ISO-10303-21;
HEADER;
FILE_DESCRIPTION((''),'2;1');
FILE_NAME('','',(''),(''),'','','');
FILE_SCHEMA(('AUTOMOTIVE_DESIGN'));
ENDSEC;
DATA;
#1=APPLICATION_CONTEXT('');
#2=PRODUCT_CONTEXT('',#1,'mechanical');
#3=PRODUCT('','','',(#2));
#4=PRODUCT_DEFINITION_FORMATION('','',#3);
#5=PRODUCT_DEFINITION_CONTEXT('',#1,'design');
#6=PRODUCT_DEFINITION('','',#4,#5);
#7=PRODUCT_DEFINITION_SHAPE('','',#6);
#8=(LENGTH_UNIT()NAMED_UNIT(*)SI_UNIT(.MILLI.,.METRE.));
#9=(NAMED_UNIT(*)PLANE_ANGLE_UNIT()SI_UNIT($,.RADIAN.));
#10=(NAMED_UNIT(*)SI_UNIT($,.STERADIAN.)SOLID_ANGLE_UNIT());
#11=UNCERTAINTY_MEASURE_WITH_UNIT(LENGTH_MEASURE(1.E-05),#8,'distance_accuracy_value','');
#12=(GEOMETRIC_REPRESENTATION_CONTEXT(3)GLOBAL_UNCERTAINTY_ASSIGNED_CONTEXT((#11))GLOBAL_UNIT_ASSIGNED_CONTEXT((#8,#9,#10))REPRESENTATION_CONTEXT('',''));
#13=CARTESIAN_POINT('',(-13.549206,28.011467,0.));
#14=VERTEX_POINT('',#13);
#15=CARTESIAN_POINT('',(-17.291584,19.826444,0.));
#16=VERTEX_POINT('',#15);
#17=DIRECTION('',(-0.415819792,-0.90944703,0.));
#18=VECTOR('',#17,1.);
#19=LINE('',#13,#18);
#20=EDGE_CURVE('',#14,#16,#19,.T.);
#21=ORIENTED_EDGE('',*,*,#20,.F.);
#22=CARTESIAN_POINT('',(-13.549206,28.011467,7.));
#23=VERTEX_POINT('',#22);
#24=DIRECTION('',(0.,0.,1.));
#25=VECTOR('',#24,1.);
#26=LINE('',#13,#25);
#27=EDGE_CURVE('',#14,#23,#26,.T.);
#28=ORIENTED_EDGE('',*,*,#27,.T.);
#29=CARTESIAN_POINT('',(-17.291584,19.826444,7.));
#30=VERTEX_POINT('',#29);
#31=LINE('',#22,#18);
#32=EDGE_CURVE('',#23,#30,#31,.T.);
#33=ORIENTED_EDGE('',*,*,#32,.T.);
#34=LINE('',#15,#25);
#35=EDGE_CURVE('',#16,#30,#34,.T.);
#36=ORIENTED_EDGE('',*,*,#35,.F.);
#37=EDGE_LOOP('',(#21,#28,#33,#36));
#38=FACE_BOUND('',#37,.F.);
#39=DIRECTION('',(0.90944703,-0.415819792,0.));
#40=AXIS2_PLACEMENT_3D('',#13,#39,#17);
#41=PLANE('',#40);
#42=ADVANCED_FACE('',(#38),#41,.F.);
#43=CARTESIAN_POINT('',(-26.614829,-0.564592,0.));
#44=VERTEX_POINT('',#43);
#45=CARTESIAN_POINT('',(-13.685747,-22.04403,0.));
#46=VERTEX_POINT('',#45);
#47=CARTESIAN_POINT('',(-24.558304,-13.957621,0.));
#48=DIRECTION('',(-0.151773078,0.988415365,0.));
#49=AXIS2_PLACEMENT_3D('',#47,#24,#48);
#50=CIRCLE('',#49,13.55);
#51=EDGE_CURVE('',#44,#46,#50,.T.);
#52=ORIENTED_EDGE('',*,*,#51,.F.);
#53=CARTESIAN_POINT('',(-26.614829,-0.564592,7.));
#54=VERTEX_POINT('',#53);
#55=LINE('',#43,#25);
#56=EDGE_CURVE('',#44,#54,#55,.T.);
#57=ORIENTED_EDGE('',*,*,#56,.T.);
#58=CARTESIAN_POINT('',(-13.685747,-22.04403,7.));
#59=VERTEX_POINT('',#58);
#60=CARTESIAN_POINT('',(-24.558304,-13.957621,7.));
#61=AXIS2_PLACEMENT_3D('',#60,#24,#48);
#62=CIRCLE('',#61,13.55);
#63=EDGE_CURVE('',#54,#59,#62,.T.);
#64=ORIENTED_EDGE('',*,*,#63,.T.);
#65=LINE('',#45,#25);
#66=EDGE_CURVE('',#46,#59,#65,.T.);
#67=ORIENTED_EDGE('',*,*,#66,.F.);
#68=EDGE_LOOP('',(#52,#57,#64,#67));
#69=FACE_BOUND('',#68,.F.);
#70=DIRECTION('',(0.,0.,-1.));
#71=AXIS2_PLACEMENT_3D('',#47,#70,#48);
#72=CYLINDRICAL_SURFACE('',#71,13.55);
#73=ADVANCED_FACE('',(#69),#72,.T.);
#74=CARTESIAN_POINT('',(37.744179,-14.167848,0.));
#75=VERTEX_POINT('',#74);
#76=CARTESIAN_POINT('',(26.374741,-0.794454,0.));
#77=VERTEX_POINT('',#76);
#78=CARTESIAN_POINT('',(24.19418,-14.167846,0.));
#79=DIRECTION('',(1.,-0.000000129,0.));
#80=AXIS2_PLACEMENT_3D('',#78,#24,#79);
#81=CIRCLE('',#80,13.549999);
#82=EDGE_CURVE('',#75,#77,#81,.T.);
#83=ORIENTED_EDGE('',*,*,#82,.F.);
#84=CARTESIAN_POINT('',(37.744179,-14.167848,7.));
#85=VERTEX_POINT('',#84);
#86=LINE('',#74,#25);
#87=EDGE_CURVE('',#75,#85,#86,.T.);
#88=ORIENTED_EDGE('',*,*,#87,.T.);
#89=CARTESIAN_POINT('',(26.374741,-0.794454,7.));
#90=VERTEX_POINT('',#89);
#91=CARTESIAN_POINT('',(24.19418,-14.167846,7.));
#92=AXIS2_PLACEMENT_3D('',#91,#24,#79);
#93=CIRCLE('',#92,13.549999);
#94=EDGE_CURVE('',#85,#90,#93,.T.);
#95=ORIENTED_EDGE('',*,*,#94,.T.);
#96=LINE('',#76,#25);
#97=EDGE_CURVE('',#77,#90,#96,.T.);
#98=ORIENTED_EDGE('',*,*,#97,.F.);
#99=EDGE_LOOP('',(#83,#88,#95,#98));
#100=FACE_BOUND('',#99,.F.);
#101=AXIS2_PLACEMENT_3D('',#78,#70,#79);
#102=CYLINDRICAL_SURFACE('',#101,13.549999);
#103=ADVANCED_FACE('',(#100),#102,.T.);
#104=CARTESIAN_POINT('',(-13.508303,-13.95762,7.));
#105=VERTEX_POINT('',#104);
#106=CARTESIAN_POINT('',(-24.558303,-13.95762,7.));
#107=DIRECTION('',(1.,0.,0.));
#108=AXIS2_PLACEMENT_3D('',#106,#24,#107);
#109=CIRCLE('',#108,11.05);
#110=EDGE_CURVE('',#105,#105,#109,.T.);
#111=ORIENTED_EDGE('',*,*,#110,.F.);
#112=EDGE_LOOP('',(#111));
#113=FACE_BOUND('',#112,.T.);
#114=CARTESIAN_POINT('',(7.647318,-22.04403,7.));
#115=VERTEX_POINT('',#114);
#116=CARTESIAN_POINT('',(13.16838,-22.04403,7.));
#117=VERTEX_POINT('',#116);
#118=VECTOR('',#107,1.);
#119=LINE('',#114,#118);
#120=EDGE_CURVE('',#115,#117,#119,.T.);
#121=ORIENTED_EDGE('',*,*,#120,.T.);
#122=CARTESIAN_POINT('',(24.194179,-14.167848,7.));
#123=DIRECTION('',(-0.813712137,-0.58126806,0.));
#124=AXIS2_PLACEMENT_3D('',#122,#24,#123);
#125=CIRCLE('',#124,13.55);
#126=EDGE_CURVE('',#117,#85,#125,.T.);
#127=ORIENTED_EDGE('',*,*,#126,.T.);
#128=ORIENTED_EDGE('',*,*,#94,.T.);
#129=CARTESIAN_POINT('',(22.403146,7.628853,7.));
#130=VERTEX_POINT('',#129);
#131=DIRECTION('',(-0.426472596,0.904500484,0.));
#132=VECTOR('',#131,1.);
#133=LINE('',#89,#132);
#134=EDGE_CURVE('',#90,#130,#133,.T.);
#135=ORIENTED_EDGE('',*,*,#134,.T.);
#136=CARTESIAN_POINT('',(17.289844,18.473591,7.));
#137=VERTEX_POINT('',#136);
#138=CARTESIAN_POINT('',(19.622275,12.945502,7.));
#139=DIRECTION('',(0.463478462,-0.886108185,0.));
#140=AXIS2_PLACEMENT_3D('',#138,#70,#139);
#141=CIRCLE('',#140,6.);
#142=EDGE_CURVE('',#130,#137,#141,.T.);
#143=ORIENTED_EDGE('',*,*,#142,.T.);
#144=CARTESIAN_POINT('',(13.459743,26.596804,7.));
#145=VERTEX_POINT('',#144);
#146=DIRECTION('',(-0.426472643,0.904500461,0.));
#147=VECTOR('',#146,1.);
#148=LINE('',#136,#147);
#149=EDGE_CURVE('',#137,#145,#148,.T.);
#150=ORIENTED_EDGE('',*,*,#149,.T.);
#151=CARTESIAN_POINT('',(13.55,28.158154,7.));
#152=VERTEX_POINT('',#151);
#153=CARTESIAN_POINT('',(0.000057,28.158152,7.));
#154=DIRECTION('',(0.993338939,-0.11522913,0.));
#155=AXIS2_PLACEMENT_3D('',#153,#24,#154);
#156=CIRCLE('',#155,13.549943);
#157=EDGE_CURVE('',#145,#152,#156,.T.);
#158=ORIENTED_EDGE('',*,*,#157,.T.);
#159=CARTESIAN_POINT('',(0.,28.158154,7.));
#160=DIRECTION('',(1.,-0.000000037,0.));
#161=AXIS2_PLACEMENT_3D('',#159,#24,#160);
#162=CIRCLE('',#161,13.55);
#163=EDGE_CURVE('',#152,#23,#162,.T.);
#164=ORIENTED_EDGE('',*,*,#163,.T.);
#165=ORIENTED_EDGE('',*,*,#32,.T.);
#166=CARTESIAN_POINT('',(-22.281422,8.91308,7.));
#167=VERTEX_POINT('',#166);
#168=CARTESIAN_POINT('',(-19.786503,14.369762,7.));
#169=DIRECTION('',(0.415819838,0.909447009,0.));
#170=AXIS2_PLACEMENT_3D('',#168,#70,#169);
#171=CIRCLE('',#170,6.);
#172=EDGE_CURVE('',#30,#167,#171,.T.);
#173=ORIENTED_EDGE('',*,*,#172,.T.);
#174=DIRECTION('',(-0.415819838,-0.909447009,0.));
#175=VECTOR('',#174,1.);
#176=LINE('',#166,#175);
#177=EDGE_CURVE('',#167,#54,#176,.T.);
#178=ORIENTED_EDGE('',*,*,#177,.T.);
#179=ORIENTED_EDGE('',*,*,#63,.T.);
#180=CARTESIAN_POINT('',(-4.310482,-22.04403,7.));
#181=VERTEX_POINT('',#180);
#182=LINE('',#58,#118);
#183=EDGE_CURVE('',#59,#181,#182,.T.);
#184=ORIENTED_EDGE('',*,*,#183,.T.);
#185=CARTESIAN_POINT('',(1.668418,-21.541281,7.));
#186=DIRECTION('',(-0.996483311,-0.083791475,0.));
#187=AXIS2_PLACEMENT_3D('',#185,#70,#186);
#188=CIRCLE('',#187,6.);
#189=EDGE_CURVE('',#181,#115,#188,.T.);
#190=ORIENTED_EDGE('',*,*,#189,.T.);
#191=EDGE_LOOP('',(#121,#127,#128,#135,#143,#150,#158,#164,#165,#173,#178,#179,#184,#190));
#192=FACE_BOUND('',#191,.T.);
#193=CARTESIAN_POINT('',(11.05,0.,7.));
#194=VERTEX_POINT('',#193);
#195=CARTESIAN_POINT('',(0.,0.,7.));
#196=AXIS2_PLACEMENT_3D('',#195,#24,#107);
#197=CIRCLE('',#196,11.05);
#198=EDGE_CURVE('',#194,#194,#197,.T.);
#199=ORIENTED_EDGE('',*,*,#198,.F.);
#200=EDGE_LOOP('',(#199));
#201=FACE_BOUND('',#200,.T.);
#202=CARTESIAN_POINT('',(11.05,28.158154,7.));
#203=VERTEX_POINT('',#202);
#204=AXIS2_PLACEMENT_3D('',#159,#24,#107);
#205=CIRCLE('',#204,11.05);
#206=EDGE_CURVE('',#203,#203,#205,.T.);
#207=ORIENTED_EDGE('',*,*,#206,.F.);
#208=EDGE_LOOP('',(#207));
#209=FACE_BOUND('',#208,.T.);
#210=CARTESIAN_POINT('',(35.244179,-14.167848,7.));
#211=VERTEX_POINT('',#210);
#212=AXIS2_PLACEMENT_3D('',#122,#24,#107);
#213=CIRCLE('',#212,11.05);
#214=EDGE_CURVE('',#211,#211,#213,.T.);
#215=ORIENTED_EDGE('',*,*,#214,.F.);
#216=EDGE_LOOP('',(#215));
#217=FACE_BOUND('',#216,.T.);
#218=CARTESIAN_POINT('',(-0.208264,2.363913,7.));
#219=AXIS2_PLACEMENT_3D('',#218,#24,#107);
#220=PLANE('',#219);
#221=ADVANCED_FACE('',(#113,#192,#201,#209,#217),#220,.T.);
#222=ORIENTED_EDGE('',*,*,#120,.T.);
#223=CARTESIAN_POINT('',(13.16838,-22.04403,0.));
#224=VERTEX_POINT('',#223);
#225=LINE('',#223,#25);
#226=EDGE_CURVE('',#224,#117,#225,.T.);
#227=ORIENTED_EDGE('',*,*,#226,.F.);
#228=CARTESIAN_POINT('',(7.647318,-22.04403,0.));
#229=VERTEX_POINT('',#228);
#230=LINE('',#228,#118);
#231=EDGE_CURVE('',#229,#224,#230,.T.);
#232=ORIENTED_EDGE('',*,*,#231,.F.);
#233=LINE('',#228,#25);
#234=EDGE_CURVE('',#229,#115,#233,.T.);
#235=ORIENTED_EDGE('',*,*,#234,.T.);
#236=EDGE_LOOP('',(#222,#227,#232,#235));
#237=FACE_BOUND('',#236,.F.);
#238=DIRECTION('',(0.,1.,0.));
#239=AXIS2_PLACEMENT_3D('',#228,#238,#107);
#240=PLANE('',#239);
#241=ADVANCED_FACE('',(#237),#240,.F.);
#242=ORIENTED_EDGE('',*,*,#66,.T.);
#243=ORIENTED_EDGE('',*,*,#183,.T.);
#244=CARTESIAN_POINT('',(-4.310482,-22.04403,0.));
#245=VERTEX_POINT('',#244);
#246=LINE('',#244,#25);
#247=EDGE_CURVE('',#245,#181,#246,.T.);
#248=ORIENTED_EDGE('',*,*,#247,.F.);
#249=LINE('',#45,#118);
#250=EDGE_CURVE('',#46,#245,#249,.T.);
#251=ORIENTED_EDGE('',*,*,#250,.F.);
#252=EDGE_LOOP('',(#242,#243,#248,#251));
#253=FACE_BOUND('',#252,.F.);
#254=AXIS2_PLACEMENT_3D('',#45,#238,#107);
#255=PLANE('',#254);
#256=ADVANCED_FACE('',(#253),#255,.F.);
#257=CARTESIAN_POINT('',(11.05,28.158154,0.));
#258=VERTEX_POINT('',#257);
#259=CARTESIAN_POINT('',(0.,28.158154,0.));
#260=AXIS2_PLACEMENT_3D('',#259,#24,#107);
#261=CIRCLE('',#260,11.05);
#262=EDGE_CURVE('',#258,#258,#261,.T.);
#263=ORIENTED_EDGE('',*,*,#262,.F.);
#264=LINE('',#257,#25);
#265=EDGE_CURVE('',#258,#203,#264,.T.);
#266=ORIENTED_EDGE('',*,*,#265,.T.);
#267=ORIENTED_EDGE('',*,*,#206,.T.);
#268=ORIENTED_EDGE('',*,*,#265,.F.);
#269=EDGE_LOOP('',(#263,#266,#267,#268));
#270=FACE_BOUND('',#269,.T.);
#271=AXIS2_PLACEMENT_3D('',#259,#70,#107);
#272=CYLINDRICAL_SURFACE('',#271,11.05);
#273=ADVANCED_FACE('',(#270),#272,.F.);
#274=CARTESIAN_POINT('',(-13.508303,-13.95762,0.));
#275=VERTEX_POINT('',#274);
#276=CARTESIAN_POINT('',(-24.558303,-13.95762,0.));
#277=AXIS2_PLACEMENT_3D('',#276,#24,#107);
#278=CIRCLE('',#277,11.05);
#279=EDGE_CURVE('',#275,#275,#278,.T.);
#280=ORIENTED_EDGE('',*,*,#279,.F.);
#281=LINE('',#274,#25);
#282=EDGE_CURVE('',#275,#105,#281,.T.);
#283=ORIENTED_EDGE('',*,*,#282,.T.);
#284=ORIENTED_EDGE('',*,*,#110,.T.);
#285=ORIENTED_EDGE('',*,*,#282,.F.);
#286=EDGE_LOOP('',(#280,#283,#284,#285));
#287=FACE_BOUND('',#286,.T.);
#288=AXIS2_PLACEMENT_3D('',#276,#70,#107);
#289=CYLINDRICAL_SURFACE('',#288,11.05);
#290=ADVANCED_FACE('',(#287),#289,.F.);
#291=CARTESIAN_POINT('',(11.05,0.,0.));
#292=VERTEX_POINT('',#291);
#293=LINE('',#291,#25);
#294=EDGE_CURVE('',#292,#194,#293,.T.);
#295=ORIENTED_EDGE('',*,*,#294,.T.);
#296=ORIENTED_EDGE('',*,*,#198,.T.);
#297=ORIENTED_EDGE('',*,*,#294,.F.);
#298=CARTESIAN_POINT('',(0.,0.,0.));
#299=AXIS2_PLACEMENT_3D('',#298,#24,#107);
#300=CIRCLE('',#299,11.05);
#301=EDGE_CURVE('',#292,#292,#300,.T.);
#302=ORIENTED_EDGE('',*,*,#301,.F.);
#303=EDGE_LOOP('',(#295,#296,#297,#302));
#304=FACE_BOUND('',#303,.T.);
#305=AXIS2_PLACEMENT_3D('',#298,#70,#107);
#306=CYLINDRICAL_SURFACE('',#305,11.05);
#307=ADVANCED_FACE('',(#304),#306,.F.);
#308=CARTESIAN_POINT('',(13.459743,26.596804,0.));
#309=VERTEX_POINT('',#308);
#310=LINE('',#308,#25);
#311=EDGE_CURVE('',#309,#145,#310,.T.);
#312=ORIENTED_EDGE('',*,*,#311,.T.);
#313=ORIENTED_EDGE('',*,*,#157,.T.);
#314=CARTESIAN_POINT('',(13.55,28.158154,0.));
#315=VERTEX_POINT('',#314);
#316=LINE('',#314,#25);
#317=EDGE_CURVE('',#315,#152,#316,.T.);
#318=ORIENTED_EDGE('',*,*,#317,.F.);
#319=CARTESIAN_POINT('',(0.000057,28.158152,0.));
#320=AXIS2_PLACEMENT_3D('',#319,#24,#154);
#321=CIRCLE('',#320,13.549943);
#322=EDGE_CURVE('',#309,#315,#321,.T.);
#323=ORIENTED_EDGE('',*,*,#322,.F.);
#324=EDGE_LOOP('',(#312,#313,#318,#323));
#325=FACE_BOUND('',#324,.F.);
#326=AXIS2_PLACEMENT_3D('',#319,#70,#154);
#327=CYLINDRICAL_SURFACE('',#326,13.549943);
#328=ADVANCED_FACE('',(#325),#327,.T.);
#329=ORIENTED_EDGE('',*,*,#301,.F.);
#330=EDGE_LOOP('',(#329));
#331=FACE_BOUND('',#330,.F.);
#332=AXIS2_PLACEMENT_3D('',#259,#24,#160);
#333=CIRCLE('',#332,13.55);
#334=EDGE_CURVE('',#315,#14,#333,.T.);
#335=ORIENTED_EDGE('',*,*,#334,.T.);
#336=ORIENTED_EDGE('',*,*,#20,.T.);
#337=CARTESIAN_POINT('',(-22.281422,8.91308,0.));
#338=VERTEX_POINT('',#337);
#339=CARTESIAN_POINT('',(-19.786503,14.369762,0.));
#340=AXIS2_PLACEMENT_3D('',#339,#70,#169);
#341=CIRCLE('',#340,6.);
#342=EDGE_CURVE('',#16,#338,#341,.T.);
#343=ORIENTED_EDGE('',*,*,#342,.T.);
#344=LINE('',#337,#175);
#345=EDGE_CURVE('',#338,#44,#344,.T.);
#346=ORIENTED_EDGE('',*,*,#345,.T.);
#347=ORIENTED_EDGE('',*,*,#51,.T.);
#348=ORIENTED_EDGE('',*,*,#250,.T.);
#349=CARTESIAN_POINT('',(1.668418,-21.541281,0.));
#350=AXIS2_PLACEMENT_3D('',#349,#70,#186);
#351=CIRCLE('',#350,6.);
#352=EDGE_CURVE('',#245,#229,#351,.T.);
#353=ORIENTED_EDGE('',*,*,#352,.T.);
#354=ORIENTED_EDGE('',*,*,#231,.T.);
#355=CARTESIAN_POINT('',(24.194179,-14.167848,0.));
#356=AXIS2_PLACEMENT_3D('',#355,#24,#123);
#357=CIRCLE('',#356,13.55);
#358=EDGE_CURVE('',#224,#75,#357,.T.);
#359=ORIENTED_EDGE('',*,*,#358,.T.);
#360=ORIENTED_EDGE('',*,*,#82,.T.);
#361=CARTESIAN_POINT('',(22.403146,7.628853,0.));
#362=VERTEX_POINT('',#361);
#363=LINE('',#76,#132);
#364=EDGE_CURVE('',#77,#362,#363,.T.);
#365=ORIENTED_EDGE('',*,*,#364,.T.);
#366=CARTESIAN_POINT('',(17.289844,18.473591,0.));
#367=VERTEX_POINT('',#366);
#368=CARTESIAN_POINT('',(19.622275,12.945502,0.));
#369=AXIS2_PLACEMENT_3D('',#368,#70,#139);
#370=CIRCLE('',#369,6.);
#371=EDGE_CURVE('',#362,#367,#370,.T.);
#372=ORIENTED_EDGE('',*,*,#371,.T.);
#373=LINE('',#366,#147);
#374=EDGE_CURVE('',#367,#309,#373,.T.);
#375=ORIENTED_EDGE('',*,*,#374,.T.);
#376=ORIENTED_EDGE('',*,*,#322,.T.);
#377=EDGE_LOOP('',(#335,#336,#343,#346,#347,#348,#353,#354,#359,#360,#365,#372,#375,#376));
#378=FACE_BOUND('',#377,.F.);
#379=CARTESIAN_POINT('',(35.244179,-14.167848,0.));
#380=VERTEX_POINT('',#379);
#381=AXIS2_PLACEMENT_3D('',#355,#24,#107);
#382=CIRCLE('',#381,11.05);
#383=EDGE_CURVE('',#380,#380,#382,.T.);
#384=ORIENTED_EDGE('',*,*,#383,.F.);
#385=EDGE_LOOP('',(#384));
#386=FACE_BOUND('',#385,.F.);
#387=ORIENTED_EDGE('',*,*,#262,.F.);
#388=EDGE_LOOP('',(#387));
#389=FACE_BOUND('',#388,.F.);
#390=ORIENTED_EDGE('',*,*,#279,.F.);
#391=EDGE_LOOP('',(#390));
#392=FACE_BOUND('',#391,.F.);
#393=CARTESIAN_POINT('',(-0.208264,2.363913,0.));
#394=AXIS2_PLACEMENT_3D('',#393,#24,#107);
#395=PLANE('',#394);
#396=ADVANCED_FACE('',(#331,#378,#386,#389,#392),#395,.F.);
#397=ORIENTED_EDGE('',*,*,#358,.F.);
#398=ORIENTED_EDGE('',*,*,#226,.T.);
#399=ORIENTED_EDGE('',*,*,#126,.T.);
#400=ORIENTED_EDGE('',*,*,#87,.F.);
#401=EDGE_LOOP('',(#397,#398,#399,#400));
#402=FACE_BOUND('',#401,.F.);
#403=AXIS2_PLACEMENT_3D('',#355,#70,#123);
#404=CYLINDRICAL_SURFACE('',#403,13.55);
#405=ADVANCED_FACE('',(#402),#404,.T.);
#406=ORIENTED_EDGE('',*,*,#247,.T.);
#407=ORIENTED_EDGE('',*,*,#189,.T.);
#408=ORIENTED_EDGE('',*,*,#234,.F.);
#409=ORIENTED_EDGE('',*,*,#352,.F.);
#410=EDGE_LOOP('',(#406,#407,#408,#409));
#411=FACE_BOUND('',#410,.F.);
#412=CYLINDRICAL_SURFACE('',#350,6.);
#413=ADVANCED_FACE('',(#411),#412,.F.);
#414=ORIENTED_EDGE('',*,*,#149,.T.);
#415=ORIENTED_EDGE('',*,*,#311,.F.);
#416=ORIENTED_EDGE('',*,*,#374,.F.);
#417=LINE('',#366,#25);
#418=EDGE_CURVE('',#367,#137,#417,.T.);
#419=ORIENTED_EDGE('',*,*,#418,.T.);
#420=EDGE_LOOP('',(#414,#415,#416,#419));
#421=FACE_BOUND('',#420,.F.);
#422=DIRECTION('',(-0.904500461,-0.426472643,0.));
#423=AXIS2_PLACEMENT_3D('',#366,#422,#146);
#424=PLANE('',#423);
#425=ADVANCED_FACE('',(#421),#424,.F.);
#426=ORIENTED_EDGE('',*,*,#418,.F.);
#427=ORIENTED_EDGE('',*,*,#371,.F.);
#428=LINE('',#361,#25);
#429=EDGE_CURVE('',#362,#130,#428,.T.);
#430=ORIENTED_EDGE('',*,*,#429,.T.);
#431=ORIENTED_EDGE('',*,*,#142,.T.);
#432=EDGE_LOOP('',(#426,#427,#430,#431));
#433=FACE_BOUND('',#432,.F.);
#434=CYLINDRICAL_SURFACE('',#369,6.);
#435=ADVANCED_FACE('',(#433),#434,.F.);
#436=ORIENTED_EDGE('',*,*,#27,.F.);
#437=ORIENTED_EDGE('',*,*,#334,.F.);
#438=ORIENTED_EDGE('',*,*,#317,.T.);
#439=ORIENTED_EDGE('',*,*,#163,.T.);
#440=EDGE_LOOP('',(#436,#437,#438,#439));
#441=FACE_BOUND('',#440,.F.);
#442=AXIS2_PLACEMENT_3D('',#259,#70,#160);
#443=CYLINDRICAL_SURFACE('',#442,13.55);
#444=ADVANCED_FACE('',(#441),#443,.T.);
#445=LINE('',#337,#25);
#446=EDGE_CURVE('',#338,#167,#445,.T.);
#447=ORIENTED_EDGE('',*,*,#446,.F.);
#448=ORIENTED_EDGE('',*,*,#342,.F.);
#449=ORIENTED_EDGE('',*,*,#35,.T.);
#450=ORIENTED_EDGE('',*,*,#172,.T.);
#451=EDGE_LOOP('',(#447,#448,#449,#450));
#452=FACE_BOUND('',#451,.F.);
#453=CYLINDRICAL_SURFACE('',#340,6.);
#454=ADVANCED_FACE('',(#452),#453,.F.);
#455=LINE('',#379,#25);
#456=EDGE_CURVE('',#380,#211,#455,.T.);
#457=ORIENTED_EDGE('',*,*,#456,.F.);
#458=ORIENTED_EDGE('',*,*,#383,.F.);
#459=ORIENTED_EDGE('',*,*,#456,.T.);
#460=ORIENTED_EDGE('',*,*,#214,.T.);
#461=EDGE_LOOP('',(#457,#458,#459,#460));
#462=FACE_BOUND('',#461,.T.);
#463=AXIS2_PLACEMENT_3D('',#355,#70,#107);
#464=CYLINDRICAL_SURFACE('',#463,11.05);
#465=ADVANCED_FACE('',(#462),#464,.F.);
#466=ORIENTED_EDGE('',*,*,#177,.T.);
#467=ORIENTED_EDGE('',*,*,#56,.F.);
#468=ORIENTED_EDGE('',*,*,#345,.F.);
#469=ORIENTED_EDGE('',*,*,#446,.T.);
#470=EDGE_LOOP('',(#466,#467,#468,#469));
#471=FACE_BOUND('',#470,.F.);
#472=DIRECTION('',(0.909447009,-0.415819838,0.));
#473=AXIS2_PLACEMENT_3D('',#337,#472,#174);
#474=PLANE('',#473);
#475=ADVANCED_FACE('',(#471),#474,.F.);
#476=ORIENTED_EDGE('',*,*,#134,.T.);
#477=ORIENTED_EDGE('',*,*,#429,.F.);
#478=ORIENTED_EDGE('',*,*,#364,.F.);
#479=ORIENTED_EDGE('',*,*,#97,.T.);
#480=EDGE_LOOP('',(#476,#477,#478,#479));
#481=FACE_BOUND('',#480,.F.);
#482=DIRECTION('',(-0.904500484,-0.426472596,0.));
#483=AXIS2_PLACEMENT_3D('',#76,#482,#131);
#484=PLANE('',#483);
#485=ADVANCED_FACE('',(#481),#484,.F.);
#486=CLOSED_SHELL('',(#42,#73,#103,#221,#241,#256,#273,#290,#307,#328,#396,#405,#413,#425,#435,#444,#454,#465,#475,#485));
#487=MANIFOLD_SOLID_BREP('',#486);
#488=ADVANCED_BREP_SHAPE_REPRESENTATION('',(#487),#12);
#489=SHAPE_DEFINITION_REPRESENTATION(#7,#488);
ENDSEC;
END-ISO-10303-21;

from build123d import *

# Parameters (mm, degrees)
F0_R     = 13.55
F0_R_2   = 11.05
F1_DEPTH = 7


with BuildPart() as f1:
    # F0 (on Top) → F1 (new body)
    with BuildSketch(Plane.XY):
        with BuildLine():
            ThreePointArc((13.459743, 26.596804), (-0.708745, 14.626703), (-13.549206, 28.011467))
            Line((-13.549206, 28.011467), (-17.291584, 19.826444))
            ThreePointArc((-17.291584, 19.826444), (-14.329821, 11.874843), (-22.281422, 8.91308))
            Line((-22.281422, 8.91308), (-26.614829, -0.564592))
            ThreePointArc((-26.614829, -0.564592), (-15.734002, -3.674906), (-11.008303, -13.95762))
            ThreePointArc((-11.008303, -13.95762), (-11.695068, -18.216691), (-13.685747, -22.04403))
            Line((-13.685747, -22.04403), (-4.310482, -22.04403))
            ThreePointArc((-4.310482, -22.04403), (1.668418, -15.541281), (7.647318, -22.04403))
            Line((7.647318, -22.04403), (13.16838, -22.04403))
            ThreePointArc((13.16838, -22.04403), (12.685675, -7.015447), (26.374741, -0.794454))
            Line((26.374741, -0.794454), (22.403146, 7.628853))
            ThreePointArc((22.403146, 7.628853), (14.195272, 10.386667), (17.289844, 18.473591))
            Line((17.289844, 18.473591), (13.459743, 26.596804))
        make_face()
        Circle(F0_R, mode=Mode.SUBTRACT)
        with BuildLine():
            ThreePointArc((37.744179, -14.167848), (34.517675, -5.391291), (26.374741, -0.794454))
            ThreePointArc((26.374741, -0.794454), (12.685675, -7.015447), (13.16838, -22.04403))
            ThreePointArc((13.16838, -22.04403), (28.32957, -27.071376), (37.744179, -14.167848))
        make_face()
        with Locations((24.194179, -14.167848)):
            Circle(F0_R_2, mode=Mode.SUBTRACT)
        with BuildLine():
            ThreePointArc((-11.008303, -13.95762), (-15.734002, -3.674906), (-26.614829, -0.564592))
            ThreePointArc((-26.614829, -0.564592), (-36.167445, -20.945492), (-13.685747, -22.04403))
            ThreePointArc((-13.685747, -22.04403), (-11.695068, -18.216691), (-11.008303, -13.95762))
        make_face()
        with Locations((-24.558303, -13.95762)):
            Circle(F0_R_2, mode=Mode.SUBTRACT)
        Circle(F0_R)
        Circle(F0_R_2, mode=Mode.SUBTRACT)
        with BuildLine():
            ThreePointArc((13.459743, 26.596804), (13.527417, 27.376176), (13.55, 28.158154))
            ThreePointArc((13.55, 28.158154), (-0.073345, 41.707956), (-13.549206, 28.011467))
            ThreePointArc((-13.549206, 28.011467), (-0.708745, 14.626703), (13.459743, 26.596804))
        make_face()
        with Locations((0, 28.158154)):
            Circle(F0_R_2, mode=Mode.SUBTRACT)
    extrude(amount=F1_DEPTH)


solid = f1.part
